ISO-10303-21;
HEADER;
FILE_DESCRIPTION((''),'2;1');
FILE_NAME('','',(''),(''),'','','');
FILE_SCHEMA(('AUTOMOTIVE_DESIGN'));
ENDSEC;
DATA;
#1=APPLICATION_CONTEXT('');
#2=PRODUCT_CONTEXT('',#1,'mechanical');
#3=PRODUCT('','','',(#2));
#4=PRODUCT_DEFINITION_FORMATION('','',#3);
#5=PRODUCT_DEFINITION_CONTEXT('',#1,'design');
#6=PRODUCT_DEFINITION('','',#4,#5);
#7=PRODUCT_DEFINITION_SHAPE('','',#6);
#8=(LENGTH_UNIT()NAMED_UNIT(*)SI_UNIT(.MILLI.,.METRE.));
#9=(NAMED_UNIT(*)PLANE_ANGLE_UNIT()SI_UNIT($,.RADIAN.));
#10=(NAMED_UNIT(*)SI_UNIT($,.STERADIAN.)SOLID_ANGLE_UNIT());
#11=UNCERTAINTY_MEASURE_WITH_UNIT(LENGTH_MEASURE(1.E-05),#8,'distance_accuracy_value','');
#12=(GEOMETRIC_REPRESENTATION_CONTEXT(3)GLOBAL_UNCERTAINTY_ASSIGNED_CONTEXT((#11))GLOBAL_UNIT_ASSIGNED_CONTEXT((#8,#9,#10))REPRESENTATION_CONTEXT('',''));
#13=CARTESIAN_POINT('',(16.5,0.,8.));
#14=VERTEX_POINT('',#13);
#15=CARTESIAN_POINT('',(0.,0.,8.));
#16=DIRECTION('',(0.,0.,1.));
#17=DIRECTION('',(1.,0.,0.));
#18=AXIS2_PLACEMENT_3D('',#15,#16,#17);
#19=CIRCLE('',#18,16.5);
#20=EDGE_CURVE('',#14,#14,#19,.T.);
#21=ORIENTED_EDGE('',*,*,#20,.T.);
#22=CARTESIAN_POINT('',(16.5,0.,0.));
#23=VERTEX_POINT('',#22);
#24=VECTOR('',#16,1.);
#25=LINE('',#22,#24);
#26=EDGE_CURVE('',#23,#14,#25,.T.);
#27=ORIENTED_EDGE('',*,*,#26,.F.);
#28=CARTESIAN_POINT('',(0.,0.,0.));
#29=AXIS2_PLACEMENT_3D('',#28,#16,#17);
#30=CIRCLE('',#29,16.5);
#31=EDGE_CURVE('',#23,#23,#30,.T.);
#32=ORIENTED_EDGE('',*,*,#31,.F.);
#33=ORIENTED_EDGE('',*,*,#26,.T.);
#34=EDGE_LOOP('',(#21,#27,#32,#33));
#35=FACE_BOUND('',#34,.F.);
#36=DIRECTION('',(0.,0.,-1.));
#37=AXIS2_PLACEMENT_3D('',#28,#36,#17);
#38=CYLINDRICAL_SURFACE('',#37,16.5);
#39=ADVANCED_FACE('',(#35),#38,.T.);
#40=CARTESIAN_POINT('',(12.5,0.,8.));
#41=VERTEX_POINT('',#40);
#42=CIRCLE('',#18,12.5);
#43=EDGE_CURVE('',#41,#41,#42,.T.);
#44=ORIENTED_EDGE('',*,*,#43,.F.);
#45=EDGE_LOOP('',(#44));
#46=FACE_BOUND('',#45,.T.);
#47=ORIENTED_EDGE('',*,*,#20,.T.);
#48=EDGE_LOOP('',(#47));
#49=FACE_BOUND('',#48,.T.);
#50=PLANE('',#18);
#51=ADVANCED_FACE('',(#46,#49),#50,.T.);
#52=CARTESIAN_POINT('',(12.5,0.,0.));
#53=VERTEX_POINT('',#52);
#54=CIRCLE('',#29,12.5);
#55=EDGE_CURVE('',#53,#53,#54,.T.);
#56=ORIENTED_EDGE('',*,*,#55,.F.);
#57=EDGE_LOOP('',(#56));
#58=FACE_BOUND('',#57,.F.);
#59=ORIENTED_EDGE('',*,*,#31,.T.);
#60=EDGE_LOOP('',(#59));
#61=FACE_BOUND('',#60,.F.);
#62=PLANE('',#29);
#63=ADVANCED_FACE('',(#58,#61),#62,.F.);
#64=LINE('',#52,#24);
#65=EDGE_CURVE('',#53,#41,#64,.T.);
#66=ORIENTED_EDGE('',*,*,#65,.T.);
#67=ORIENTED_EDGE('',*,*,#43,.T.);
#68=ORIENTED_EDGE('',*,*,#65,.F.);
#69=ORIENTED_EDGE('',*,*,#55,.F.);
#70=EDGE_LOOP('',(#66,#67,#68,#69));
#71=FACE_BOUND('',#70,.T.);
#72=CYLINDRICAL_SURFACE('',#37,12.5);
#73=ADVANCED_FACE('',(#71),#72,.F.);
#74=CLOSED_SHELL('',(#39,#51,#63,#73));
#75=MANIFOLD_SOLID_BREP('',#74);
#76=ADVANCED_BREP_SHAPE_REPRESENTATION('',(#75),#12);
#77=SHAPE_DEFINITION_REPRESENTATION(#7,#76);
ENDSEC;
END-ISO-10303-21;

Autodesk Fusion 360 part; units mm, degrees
sketch "Sketch1" plane through (0, 0, 0) normal (0, 0, 1) x (1, 0, 0)
  circle A0 centre (0, 0) radius 16.5
  circle A1 centre (0, 0) radius 12.5
  dimension "d1" = 33
  dimension "d2" = 25
extrude "Extrude1" add sketch "Sketch1" along normal blind 8
